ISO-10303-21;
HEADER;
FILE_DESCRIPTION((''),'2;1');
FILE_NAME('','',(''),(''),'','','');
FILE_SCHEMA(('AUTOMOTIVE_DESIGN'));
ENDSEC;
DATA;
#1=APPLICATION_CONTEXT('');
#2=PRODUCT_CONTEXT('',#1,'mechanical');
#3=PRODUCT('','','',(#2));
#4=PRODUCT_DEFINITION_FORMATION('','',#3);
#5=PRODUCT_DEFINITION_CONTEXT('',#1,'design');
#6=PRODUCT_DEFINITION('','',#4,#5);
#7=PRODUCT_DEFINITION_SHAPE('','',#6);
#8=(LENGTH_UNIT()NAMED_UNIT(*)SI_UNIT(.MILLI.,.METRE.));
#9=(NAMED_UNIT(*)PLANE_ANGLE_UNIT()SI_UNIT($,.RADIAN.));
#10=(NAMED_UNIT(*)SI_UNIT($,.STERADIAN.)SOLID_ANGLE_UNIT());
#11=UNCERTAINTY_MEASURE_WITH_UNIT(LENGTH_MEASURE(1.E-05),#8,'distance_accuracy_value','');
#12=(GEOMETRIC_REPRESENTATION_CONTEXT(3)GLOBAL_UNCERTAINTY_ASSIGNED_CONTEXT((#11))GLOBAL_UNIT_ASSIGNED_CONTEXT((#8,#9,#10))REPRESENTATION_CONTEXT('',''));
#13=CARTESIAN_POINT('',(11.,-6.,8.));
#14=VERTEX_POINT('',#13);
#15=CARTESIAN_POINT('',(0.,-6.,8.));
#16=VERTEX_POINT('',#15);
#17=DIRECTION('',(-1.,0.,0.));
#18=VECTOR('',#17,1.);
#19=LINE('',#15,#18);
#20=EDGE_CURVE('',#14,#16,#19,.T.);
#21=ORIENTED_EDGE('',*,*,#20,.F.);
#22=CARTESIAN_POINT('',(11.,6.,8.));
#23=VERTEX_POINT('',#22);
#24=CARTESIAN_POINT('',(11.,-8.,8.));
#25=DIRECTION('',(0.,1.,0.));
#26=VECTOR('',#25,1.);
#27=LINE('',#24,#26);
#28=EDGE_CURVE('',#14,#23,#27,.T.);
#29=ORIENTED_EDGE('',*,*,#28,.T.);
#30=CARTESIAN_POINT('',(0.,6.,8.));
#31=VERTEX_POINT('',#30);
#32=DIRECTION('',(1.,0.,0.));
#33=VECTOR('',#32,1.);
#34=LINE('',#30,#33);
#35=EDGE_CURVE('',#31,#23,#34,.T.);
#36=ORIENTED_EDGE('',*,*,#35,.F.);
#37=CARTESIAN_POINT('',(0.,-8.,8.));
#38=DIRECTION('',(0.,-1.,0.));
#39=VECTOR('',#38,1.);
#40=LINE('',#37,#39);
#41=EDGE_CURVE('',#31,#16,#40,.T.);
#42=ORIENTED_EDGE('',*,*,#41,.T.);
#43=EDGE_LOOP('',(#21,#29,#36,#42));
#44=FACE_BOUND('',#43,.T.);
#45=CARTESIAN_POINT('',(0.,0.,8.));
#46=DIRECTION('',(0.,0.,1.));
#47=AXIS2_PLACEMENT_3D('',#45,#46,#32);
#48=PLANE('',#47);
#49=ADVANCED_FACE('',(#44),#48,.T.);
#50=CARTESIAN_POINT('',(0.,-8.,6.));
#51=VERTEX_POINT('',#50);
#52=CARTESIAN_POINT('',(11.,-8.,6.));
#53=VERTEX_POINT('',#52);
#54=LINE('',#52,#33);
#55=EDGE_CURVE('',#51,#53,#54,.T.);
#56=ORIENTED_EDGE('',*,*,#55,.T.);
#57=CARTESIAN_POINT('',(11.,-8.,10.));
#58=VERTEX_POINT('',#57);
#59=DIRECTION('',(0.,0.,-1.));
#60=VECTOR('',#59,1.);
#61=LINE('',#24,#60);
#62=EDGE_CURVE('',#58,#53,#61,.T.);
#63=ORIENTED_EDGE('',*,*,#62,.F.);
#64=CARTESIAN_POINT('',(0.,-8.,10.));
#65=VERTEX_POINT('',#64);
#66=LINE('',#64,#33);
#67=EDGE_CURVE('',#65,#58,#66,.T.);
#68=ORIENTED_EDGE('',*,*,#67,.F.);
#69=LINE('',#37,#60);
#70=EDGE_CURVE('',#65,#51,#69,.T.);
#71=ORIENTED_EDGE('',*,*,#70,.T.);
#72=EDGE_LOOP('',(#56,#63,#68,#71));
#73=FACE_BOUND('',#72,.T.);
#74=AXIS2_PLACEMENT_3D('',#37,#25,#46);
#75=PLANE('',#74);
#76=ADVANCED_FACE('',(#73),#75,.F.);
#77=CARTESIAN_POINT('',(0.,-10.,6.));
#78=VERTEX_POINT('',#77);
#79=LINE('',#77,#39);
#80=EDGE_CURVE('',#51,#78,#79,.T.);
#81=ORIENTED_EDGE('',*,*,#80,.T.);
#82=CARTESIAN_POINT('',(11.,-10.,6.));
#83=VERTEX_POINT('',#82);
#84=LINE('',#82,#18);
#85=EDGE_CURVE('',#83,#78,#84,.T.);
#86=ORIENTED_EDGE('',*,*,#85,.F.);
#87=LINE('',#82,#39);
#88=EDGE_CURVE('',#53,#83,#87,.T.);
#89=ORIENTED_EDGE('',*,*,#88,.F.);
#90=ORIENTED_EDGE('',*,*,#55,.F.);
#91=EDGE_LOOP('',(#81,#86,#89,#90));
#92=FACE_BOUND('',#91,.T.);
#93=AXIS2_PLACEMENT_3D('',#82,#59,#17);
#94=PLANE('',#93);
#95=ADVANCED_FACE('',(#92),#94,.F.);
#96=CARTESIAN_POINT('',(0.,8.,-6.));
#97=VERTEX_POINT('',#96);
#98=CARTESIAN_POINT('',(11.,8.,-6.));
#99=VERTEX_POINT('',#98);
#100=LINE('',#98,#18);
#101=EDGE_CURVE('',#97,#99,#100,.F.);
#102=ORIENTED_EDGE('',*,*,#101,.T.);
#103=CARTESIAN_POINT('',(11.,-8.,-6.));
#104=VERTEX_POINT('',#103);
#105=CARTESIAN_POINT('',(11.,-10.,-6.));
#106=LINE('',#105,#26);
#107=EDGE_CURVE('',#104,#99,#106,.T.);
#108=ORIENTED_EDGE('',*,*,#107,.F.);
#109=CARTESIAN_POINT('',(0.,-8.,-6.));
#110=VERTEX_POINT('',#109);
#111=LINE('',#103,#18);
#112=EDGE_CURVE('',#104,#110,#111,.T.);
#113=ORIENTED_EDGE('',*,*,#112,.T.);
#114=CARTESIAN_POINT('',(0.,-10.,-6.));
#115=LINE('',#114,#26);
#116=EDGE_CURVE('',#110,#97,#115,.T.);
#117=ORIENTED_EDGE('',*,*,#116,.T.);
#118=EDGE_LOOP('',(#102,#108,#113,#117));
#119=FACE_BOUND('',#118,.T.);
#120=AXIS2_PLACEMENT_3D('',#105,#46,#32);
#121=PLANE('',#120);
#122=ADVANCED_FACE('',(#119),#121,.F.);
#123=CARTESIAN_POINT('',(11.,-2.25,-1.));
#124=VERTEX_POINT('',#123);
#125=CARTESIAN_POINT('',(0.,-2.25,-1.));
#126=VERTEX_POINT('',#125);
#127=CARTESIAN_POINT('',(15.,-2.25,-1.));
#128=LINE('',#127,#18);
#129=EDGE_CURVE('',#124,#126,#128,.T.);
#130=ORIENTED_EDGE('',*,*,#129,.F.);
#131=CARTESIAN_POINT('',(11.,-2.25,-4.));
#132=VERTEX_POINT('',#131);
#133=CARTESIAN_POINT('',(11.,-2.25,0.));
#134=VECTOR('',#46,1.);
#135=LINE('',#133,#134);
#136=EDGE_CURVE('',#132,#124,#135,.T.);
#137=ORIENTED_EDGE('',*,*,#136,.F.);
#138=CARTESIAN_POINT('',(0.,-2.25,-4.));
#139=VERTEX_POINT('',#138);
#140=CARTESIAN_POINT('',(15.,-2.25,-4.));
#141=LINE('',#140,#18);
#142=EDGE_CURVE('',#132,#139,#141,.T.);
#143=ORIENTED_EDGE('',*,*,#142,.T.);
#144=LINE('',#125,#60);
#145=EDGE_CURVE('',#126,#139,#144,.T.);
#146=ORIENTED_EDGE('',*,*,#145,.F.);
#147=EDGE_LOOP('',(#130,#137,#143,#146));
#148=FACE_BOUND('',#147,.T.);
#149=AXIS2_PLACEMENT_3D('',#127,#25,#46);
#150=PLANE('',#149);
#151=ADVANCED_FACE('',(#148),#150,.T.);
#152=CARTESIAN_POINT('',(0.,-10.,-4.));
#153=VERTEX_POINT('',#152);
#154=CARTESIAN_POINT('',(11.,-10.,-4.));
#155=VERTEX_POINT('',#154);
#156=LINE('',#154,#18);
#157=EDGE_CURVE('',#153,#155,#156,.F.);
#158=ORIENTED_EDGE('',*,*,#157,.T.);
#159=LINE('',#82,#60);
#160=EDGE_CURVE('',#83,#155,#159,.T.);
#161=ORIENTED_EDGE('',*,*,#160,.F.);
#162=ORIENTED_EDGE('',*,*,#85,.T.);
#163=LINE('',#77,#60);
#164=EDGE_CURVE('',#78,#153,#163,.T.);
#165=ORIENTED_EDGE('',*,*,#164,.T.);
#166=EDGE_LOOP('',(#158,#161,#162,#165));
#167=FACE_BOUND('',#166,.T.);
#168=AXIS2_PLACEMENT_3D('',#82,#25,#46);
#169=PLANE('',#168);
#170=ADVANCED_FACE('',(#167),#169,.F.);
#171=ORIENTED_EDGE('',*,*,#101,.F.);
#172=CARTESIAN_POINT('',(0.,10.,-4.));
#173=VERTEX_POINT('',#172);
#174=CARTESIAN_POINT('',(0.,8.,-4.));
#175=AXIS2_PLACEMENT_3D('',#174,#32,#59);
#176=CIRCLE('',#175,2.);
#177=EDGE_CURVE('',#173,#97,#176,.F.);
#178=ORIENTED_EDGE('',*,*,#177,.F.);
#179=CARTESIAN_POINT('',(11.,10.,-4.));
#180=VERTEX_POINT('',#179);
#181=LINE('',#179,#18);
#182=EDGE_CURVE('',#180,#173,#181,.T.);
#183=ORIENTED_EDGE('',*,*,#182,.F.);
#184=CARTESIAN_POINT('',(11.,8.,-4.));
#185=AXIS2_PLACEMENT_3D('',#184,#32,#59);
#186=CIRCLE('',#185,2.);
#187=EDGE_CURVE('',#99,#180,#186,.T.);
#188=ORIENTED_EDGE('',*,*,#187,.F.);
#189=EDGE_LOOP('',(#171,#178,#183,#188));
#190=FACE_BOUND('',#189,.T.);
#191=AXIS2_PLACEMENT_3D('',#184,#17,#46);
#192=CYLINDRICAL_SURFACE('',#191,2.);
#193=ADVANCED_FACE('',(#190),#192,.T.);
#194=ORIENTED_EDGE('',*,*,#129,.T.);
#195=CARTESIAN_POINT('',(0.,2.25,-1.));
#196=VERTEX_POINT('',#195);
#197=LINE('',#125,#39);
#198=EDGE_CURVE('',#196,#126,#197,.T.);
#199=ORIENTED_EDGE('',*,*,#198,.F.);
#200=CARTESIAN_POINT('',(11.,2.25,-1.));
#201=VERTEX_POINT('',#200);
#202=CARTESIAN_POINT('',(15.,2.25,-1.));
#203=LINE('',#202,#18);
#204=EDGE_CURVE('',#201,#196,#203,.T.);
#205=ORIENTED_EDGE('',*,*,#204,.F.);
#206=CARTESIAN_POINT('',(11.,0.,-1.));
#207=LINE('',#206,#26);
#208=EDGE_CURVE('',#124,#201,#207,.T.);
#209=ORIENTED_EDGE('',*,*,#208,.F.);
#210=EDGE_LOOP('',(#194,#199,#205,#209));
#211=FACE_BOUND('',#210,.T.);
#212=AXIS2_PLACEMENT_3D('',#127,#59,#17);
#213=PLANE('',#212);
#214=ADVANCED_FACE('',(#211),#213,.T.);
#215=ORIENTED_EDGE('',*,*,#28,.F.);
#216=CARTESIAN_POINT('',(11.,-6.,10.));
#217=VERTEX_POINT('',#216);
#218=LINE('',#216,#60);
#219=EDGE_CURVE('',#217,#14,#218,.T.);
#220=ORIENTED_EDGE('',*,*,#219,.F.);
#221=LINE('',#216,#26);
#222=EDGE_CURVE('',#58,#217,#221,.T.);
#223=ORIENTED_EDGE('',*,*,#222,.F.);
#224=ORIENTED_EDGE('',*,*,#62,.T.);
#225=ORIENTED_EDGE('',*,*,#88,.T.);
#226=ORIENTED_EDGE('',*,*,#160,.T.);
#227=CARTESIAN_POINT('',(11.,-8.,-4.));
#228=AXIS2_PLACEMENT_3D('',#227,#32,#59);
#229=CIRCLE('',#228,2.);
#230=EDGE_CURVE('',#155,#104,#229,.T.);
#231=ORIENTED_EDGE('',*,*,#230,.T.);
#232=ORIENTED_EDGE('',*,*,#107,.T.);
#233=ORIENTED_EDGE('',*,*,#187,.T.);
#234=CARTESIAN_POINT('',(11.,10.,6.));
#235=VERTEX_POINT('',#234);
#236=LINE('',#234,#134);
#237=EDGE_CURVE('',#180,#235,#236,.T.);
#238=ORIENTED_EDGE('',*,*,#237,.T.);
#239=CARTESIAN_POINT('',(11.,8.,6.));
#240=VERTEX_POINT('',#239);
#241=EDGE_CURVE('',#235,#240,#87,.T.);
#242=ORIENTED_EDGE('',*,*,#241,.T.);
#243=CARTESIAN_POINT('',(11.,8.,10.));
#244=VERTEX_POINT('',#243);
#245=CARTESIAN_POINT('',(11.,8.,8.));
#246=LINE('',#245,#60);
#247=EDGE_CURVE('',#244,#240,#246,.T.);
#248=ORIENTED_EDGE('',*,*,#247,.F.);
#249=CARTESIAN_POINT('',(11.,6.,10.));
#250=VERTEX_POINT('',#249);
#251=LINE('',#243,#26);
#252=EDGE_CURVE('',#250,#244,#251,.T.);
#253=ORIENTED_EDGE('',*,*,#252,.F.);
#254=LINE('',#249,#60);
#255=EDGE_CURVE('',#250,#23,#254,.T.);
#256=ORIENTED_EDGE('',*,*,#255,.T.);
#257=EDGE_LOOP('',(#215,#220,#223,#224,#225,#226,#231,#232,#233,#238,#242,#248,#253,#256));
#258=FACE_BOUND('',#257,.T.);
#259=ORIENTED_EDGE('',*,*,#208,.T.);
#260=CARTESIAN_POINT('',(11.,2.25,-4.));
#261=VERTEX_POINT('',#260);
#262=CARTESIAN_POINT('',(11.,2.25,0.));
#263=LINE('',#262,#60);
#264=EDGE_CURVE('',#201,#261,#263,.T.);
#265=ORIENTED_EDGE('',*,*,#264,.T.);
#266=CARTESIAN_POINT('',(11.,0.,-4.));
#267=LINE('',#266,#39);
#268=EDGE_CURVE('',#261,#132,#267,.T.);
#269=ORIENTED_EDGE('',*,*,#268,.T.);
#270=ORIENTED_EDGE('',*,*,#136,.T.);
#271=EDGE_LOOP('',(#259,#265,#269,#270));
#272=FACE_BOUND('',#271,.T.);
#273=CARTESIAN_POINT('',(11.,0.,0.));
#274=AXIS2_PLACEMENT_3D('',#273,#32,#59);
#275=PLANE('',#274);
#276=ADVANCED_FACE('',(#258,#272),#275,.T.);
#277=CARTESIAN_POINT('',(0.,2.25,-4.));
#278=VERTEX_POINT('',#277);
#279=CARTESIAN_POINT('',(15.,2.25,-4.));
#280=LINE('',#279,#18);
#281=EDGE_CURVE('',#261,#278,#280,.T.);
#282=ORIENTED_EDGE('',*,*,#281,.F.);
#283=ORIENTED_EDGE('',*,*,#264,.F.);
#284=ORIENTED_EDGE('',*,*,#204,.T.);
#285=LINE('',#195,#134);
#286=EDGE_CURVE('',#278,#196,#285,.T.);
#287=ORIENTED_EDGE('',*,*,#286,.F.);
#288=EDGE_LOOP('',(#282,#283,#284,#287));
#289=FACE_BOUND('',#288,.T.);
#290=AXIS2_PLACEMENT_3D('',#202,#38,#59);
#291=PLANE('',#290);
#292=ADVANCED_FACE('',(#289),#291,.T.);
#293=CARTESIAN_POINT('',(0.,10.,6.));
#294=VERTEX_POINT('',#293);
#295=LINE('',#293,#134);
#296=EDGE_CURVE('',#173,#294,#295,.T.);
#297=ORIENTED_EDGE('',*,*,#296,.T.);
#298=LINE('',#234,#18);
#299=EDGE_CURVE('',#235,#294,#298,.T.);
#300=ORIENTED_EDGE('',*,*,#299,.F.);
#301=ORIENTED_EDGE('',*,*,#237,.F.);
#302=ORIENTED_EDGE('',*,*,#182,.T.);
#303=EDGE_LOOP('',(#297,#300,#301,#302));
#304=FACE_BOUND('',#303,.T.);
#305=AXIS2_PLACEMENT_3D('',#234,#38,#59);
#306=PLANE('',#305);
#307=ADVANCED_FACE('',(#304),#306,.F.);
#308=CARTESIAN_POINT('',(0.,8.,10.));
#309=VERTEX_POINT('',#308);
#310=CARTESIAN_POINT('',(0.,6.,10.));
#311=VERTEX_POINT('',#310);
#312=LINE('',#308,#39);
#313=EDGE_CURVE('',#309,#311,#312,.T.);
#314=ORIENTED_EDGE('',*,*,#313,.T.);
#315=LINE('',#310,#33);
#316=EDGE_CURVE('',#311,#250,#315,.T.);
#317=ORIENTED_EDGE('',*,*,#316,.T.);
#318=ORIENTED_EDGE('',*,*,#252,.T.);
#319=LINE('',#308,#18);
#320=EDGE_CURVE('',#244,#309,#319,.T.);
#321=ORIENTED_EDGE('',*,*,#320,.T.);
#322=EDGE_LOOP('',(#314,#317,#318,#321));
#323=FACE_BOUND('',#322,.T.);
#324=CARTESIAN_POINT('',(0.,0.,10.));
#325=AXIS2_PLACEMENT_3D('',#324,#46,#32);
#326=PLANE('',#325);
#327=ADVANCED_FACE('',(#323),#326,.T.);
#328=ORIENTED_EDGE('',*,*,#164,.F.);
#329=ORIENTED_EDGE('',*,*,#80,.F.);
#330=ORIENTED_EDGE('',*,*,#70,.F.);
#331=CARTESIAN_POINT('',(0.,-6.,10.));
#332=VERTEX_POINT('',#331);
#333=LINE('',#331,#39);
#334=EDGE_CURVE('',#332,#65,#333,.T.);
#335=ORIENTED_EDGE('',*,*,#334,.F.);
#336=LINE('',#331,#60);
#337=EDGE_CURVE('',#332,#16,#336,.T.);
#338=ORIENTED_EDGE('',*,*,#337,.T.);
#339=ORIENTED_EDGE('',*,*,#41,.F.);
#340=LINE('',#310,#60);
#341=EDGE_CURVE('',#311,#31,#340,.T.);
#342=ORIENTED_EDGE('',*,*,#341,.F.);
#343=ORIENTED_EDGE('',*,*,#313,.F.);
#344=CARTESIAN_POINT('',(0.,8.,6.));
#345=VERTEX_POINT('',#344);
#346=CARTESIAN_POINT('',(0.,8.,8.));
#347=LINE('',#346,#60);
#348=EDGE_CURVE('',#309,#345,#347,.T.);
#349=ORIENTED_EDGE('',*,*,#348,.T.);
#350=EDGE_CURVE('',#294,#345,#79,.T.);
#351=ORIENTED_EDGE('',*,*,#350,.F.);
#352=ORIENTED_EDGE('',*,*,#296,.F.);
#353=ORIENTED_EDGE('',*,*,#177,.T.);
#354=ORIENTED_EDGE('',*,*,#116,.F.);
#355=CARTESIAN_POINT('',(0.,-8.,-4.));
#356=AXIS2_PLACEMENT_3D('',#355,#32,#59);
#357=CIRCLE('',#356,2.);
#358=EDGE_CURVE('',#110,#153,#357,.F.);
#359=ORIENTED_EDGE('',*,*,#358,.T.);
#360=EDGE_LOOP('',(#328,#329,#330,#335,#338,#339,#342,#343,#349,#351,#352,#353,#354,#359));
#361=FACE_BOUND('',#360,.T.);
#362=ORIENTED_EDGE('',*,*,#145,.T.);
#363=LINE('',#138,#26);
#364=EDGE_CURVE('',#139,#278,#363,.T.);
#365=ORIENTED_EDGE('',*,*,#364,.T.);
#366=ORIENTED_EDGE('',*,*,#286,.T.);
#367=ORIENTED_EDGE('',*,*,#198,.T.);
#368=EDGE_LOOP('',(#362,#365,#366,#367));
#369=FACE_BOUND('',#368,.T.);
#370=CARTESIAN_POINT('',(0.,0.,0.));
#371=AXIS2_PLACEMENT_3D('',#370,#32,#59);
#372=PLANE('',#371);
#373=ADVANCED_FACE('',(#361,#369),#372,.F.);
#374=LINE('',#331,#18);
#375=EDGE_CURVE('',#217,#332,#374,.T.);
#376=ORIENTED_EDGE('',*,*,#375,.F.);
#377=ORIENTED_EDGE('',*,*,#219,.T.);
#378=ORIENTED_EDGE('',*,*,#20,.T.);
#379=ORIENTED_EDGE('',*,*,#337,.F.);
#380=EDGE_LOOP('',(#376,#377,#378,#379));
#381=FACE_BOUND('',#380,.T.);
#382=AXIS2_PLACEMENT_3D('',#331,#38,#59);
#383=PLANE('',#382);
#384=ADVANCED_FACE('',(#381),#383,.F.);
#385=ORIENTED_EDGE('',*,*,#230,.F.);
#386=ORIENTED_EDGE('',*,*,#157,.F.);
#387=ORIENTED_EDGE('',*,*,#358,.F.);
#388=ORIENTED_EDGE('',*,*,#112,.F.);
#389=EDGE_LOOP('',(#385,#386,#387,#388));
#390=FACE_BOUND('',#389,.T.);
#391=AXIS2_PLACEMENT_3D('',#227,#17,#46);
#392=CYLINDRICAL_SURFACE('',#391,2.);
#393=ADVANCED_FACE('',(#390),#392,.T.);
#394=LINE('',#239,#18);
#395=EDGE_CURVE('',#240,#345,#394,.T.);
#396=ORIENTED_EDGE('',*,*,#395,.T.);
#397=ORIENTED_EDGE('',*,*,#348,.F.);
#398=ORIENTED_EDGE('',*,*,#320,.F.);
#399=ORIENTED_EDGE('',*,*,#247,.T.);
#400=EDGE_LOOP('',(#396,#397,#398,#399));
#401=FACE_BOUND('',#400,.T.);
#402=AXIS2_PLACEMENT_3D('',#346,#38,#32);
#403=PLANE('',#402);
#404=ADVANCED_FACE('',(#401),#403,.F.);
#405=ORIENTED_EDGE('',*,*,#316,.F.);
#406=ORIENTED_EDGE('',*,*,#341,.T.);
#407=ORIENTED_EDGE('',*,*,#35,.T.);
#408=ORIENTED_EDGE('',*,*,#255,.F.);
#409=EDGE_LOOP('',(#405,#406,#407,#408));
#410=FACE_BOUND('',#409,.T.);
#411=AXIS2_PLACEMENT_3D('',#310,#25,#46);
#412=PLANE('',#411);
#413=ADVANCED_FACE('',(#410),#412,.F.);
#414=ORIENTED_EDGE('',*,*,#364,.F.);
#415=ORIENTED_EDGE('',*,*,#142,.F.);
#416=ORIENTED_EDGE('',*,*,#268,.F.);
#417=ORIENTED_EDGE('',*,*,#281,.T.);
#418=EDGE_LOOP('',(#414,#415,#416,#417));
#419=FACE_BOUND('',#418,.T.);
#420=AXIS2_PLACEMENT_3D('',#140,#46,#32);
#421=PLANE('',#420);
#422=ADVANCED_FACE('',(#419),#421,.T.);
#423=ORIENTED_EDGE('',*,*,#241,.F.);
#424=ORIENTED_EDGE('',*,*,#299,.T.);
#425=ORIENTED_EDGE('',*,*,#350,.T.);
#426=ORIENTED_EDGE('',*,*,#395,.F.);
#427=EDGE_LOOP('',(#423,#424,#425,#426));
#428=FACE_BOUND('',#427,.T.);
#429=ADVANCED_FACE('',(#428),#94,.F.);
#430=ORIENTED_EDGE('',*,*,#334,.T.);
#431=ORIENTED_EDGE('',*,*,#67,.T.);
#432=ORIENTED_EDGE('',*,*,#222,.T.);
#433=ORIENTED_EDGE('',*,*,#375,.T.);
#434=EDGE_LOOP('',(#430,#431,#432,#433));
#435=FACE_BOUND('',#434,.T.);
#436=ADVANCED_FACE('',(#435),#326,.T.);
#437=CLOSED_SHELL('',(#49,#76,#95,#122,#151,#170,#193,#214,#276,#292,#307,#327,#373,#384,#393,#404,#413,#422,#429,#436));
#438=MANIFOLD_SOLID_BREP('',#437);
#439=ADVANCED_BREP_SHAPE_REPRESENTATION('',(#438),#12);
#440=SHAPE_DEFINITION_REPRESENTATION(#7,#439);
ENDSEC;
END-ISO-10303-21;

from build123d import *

# Parameters (mm, degrees)
SKETCH1_W           = 20
SKETCH1_H           = 12
BOSS_EXTRUDE1_DEPTH = 11
SKETCH5_W           = 16
SKETCH5_H           = 11
BOSS_EXTRUDE2_DEPTH = 8
FILLET1_R           = 2
SKETCH7_W           = 4.5
SKETCH7_H           = 3
CUT_EXTRUDE1_DEPTH  = 15
SKETCH9_W           = 11
SKETCH9_H           = 2
BOSS_EXTRUDE4_DEPTH = 2


with BuildPart() as part:
    # Sketch1 → Boss-Extrude1 (new body)
    with BuildSketch(Plane.YZ):
        Rectangle(SKETCH1_W, SKETCH1_H)
    extrude(amount=BOSS_EXTRUDE1_DEPTH)

    # Sketch5 → Boss-Extrude2 (add)
    with BuildSketch(Plane(origin=(0, 0, 0), x_dir=(0, 1, 0), z_dir=(0, 0, 1))):
        with Locations((0, -5.5)):
            Rectangle(SKETCH5_W, SKETCH5_H)
    extrude(amount=BOSS_EXTRUDE2_DEPTH)

    # Fillet1
    fillet1_edges = [part.edges().sort_by_distance(p)[0] for p in [
        (5.5, 10, -6),
        (5.5, -10, -6),
    ]]
    fillet(fillet1_edges, radius=FILLET1_R)

    # Sketch7 → Cut-Extrude1 (cut)
    with BuildSketch(Plane.YZ):
        with Locations((0, -2.5)):
            Rectangle(SKETCH7_W, SKETCH7_H)
    extrude(amount=CUT_EXTRUDE1_DEPTH, mode=Mode.SUBTRACT)

    # Sketch9 → Boss-Extrude4 (add)
    with BuildSketch(Plane.XY.offset(8)):
        with Locations((5.5, 7)):
            Rectangle(SKETCH9_W, SKETCH9_H)
        with Locations((5.5, -7)):
            Rectangle(SKETCH9_W, SKETCH9_H)
    extrude(amount=BOSS_EXTRUDE4_DEPTH)


solid = part.part
